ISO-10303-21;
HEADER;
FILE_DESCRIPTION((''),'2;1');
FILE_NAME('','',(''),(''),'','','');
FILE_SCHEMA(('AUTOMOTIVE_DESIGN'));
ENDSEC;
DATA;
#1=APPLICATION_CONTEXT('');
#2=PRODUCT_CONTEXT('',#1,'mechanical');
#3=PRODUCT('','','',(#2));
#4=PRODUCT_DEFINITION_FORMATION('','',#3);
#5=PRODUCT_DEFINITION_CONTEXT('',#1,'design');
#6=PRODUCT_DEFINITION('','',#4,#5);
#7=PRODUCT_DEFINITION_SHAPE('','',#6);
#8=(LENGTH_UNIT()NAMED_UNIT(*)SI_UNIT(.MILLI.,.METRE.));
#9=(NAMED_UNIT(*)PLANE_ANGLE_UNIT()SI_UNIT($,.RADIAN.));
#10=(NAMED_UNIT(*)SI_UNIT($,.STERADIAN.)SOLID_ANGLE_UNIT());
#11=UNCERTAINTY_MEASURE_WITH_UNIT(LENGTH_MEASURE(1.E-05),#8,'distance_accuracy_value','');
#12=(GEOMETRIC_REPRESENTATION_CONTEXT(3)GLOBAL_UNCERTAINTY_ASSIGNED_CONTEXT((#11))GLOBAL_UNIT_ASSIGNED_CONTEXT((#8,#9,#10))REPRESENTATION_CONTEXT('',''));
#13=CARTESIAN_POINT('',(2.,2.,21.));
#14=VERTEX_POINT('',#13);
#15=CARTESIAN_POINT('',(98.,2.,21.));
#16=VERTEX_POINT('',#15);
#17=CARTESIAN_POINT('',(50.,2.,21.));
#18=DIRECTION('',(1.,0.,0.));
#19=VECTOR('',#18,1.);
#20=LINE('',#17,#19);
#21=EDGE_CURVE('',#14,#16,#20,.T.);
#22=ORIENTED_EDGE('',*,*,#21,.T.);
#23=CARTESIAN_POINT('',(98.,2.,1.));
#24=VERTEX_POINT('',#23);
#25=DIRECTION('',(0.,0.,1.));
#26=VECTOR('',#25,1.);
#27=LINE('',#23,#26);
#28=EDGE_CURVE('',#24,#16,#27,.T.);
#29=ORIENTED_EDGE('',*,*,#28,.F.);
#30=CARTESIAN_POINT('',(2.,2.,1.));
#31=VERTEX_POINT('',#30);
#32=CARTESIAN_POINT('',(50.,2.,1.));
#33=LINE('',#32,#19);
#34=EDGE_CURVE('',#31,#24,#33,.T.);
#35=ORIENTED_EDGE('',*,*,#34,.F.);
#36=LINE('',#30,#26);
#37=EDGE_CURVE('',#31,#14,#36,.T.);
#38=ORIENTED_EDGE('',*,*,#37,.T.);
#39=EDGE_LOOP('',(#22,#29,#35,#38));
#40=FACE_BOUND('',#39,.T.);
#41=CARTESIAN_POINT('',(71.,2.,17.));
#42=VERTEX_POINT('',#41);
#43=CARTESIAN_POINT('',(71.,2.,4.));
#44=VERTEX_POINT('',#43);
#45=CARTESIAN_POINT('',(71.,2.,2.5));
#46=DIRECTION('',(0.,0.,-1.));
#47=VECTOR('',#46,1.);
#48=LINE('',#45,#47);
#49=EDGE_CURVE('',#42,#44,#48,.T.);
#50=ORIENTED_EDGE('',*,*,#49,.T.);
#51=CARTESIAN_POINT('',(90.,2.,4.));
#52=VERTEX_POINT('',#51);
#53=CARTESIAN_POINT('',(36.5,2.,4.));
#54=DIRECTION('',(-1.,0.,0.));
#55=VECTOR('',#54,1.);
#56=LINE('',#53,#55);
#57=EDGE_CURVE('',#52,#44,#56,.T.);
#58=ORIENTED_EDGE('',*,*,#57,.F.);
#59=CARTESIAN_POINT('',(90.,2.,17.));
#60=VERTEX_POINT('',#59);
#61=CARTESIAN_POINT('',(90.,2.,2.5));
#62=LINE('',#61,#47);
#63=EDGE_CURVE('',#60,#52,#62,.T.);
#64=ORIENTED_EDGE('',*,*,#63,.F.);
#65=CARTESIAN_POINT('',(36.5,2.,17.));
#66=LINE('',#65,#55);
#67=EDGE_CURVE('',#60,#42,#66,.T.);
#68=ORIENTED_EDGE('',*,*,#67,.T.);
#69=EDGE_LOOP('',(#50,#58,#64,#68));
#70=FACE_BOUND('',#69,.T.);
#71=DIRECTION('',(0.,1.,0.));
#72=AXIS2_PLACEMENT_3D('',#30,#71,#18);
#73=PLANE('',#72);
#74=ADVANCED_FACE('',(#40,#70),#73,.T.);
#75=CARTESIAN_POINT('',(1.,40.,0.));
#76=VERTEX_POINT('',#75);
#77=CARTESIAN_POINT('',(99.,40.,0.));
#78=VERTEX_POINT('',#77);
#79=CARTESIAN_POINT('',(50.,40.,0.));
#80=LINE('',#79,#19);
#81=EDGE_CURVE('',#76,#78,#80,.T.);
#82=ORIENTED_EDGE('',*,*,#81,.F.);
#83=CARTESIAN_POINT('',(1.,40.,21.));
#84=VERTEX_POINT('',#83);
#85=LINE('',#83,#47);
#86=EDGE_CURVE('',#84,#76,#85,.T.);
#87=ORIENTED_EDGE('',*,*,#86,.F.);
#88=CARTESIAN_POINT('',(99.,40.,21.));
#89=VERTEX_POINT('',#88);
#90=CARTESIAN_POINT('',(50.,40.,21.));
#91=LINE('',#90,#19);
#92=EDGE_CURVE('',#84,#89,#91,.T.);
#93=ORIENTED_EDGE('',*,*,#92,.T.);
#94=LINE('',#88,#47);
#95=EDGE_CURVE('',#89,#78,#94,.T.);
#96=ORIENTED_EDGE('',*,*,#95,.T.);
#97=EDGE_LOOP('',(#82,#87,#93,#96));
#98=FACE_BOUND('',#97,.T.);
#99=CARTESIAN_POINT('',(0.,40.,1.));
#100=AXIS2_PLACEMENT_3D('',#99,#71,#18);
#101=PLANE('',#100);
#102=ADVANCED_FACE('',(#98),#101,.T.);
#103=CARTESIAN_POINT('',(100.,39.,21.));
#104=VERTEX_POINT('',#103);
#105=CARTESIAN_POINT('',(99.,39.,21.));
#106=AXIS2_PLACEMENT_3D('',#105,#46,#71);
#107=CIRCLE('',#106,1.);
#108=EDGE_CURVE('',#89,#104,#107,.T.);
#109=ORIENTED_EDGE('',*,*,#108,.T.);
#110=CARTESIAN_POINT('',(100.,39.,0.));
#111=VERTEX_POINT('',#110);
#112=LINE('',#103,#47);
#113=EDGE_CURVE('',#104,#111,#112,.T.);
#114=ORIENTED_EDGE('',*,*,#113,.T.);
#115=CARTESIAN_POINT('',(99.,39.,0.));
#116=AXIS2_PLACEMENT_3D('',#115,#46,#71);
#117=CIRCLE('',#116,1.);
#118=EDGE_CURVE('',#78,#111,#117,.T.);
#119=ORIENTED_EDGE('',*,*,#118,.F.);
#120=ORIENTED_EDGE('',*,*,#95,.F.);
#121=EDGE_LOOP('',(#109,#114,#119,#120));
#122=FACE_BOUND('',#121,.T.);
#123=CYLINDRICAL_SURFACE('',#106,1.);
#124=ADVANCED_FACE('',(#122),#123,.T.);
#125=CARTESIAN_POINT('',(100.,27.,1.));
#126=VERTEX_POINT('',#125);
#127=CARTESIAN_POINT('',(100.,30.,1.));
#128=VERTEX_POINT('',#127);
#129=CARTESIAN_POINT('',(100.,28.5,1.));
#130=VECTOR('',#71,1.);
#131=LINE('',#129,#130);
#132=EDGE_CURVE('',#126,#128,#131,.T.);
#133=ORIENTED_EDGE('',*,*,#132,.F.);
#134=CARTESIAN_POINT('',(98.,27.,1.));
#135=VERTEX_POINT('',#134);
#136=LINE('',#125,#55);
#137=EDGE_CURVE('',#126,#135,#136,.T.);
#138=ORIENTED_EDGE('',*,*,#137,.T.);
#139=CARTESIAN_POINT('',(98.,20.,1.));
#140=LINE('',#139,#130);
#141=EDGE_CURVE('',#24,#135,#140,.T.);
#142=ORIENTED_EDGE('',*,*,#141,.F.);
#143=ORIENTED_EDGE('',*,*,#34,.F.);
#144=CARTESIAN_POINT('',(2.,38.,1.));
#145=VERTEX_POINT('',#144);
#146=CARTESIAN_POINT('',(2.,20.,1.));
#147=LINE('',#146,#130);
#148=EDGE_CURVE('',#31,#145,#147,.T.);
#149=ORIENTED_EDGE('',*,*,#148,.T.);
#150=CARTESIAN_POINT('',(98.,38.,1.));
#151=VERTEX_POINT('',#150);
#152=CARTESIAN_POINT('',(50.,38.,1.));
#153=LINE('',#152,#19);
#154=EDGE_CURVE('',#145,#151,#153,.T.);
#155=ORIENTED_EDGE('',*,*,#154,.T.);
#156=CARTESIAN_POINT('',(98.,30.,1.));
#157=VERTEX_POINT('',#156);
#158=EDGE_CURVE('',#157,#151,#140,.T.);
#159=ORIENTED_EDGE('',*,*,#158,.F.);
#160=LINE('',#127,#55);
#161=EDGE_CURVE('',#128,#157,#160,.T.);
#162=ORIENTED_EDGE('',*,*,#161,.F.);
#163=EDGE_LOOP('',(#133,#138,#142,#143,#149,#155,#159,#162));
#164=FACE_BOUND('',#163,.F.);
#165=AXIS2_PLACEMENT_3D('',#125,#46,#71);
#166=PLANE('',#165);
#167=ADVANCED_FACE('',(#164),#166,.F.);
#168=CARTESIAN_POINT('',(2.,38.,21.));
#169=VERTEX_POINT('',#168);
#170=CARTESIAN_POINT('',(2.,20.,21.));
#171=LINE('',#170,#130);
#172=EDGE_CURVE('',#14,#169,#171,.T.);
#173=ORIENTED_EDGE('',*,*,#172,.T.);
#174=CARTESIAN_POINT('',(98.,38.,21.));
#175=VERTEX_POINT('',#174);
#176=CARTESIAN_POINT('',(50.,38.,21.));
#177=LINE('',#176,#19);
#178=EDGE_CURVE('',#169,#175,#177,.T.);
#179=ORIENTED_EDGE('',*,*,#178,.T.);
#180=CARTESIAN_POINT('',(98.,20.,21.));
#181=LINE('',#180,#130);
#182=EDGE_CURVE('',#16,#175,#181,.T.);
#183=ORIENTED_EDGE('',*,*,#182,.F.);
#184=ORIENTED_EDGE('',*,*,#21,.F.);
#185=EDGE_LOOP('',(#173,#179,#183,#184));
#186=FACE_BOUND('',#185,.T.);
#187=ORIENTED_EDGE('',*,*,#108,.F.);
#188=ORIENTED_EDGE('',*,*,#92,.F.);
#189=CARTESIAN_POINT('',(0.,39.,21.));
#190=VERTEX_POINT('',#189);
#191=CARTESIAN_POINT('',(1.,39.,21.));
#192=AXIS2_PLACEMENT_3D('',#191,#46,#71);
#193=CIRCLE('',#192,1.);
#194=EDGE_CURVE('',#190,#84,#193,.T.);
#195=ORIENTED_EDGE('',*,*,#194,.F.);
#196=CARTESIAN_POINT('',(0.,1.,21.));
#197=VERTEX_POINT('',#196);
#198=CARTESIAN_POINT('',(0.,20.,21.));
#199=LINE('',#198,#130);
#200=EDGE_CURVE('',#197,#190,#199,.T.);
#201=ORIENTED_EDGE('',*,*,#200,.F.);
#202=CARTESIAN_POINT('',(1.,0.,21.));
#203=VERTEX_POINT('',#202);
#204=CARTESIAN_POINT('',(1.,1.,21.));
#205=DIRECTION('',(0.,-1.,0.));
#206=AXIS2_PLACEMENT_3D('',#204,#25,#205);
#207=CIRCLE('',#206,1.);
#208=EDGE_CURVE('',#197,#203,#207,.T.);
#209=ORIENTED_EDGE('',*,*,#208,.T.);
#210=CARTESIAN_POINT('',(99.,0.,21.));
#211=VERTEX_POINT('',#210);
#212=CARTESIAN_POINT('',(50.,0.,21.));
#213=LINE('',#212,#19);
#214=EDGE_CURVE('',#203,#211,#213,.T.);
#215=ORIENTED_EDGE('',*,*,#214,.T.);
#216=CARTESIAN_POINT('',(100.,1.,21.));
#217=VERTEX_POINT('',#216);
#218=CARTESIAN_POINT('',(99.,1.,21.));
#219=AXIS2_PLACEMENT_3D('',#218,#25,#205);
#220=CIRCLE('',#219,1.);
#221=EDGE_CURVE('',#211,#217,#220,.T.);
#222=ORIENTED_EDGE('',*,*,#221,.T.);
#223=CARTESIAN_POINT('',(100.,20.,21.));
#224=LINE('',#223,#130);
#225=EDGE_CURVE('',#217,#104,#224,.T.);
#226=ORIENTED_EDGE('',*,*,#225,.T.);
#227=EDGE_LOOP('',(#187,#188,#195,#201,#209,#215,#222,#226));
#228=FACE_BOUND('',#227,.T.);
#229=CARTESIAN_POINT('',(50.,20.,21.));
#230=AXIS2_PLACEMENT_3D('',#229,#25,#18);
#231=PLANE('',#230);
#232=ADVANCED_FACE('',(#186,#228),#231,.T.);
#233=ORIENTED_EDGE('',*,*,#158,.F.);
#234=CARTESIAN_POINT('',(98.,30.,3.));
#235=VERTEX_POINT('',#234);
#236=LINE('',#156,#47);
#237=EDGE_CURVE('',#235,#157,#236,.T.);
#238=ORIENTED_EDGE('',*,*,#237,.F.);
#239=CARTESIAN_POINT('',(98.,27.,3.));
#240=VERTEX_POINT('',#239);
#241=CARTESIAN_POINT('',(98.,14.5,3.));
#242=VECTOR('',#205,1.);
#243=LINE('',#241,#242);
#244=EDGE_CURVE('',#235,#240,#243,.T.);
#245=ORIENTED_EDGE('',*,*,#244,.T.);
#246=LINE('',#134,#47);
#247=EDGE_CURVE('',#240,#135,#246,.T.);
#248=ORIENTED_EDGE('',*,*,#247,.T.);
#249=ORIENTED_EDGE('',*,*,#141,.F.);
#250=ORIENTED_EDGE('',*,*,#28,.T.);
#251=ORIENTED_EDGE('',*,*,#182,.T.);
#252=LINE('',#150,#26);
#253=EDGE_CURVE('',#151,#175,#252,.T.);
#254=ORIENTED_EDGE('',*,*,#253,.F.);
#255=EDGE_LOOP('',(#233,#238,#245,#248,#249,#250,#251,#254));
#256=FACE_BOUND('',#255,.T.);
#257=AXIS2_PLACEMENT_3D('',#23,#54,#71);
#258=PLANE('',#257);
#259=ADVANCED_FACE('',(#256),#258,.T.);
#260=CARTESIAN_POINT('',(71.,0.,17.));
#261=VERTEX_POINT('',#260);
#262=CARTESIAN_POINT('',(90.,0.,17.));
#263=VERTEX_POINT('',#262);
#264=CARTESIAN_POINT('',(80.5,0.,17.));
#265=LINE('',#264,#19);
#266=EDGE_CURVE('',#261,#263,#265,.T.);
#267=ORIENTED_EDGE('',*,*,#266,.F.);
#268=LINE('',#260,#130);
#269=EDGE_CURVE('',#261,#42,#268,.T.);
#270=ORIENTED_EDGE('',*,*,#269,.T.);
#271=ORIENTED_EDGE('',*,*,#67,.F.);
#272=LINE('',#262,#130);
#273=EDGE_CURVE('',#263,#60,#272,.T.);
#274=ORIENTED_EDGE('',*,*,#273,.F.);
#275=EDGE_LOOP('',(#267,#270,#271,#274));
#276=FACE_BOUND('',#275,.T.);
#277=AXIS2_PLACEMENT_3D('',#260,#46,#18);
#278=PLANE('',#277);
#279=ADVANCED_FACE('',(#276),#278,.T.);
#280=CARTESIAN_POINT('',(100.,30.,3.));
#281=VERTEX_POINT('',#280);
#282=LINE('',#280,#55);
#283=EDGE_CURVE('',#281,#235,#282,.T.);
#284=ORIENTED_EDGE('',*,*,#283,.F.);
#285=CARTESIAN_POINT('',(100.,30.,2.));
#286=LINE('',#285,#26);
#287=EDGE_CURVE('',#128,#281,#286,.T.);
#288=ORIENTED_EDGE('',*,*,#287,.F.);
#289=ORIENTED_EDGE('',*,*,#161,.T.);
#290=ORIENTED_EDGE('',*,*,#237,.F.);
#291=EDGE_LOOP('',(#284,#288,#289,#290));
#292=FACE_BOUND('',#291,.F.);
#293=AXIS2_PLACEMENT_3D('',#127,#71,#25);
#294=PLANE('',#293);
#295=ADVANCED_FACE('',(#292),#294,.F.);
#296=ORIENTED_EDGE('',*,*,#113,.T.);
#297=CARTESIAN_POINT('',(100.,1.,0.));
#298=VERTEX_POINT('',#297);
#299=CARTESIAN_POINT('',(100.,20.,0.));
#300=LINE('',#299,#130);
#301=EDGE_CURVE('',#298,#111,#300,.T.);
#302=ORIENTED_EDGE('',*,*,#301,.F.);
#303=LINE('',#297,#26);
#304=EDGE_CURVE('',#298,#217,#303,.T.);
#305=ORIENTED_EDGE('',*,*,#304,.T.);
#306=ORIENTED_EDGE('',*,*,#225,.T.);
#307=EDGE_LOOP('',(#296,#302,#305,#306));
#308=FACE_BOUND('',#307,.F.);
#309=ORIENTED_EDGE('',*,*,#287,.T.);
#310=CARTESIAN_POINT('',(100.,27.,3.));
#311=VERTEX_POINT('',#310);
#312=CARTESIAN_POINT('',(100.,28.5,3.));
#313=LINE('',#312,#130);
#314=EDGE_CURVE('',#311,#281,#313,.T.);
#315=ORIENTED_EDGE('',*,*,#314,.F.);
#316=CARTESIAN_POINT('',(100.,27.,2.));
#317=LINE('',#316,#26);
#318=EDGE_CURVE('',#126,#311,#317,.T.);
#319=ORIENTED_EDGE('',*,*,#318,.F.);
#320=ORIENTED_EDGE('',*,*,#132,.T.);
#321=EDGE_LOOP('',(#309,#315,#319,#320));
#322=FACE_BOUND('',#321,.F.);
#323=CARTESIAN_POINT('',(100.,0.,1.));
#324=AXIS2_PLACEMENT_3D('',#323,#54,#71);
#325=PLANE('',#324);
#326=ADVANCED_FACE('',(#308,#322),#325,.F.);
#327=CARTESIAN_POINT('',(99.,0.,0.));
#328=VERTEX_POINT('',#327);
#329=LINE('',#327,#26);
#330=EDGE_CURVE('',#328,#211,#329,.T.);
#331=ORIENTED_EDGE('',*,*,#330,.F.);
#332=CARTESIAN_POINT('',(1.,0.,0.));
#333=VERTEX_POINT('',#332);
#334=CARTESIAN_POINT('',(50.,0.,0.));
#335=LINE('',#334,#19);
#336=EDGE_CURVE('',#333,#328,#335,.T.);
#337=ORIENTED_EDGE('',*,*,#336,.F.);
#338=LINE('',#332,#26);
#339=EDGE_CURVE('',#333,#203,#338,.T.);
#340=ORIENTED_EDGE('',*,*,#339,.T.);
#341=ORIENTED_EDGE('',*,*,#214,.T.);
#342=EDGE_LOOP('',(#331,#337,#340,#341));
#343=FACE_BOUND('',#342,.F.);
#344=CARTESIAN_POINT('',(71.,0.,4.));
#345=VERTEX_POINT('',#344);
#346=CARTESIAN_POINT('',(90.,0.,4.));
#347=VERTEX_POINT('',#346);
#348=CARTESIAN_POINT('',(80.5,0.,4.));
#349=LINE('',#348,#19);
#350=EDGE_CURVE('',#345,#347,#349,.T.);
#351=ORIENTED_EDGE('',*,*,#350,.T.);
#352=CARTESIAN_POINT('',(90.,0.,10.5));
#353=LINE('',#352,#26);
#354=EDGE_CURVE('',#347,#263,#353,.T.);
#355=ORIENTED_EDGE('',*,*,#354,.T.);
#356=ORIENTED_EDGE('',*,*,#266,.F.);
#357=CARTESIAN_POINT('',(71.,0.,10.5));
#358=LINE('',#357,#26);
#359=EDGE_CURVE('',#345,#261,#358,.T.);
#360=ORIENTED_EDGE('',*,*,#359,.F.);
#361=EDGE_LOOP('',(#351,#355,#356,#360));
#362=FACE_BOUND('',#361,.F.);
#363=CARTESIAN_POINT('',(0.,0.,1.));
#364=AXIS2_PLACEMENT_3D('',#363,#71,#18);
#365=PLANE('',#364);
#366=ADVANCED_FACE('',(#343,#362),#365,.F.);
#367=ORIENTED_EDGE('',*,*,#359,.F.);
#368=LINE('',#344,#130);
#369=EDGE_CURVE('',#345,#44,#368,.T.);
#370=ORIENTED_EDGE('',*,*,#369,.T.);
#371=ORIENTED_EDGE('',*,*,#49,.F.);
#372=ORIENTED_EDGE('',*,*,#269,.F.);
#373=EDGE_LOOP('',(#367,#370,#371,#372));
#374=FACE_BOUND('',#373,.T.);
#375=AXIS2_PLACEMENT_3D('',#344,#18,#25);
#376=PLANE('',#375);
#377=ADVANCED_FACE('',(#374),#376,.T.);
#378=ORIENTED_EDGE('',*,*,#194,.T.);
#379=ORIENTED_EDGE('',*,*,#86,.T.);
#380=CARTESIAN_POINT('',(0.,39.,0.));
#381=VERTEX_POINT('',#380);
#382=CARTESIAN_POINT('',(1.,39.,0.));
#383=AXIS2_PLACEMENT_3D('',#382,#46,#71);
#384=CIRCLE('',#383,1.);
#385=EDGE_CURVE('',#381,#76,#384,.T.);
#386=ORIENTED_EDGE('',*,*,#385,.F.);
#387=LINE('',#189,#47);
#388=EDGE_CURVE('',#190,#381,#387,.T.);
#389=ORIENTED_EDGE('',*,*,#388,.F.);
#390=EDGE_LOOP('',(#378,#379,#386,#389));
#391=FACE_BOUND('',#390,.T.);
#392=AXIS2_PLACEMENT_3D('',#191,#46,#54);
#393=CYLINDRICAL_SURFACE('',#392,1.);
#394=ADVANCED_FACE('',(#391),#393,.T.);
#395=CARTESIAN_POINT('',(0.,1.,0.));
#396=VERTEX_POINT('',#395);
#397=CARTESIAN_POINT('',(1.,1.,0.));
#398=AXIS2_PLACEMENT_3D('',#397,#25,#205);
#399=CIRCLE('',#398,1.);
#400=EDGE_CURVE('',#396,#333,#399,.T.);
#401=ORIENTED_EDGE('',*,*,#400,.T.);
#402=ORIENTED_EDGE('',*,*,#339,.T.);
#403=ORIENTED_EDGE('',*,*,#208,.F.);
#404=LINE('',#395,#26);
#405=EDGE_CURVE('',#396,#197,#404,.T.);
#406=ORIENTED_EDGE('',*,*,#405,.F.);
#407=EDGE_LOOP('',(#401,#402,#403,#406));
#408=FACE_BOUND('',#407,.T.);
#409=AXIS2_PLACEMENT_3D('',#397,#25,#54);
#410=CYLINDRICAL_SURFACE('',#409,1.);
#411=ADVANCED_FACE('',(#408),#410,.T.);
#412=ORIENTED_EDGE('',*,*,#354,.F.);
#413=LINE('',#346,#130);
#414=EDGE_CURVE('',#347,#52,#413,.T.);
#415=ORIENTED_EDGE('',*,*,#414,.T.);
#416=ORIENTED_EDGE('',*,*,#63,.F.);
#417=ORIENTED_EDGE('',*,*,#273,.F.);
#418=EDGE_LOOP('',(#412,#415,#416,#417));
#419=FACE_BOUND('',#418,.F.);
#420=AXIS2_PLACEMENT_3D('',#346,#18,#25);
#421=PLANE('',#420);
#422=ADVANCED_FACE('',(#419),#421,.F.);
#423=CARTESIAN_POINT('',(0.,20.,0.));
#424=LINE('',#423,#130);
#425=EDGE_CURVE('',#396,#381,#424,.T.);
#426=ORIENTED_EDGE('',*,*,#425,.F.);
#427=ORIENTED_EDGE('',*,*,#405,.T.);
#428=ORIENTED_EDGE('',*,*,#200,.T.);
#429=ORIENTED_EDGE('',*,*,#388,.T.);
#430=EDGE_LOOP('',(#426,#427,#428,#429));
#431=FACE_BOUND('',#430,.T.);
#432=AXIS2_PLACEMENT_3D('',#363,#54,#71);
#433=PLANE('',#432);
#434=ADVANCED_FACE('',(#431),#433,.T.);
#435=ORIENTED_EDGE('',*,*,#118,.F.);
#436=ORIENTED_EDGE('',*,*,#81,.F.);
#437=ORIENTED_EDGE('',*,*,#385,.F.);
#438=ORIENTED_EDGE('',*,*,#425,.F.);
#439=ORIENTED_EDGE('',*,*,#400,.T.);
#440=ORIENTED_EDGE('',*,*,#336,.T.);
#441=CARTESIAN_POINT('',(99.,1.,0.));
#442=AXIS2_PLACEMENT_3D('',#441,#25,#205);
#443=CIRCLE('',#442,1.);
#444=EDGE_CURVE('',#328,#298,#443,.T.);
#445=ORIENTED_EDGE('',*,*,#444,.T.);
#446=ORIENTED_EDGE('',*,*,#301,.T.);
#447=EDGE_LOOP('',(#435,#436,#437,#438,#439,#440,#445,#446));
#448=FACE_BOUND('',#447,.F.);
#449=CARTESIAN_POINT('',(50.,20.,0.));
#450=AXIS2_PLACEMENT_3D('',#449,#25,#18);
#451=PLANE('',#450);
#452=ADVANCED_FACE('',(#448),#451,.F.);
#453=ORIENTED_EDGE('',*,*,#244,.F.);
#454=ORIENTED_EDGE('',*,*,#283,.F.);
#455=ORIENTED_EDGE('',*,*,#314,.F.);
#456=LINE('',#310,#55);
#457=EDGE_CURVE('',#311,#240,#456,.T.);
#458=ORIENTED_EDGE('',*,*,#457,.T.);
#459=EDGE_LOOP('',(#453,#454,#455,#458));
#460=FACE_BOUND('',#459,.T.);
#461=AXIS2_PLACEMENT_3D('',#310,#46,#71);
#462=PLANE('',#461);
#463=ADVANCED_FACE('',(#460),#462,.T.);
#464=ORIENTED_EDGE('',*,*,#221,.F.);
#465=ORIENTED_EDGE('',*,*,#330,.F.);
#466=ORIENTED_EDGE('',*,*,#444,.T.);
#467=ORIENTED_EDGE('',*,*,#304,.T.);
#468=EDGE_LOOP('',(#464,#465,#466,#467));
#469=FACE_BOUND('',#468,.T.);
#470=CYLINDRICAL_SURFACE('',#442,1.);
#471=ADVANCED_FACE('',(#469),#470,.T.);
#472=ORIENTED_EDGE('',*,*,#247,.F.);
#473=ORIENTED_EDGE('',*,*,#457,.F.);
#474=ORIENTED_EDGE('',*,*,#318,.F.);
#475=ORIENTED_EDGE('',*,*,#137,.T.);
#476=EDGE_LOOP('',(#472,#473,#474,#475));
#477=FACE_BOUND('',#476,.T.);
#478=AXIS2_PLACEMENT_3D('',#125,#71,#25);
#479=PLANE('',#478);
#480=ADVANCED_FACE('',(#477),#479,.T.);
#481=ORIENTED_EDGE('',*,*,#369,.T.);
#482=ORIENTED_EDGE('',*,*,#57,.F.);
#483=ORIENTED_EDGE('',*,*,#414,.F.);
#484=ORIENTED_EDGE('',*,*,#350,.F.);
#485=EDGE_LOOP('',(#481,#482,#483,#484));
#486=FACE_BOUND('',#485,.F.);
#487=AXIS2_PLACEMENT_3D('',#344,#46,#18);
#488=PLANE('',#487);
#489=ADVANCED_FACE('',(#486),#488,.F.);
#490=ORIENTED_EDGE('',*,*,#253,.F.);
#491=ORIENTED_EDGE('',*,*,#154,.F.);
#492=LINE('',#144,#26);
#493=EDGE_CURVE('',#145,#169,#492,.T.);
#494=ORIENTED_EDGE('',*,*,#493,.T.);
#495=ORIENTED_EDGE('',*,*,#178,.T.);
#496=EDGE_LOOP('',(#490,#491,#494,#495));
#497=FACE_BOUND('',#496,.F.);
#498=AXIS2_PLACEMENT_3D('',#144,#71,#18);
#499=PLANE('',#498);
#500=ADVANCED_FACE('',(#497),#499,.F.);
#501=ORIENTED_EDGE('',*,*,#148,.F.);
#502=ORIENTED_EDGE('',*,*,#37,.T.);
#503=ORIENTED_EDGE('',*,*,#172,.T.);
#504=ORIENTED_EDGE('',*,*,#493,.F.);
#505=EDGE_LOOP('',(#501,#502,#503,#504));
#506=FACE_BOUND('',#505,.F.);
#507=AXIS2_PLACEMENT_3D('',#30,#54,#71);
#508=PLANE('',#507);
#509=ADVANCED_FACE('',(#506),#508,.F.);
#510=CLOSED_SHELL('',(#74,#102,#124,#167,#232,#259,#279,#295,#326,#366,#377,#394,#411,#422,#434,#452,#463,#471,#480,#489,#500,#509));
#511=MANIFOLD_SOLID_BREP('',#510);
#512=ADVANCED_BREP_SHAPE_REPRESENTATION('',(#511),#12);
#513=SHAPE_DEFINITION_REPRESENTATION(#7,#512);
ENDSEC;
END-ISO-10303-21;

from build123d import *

# Parameters (mm, degrees)
F0_W     = 100
F0_H     = 40
F1_DEPTH = 1
F2_W     = 100
F2_H     = 40
F2_W_2   = 96
F2_H_2   = 36
F3_DEPTH = 20
F4_W     = 3
F4_H     = 2
F5_DEPTH = 25
F6_W     = 19
F6_H     = 13
F7_DEPTH = 25
F8_R     = 1


with BuildPart() as f1:
    # F0 (on Top) → F1 (new body)
    with BuildSketch(Plane.XY):
        with Locations((50, 20)):
            Rectangle(F0_W, F0_H)
    extrude(amount=F1_DEPTH)

    # F2 (on face) → F3 (join)
    with BuildSketch(Plane.XY.offset(1)):
        with Locations((50, 20)):
            Rectangle(F2_W, F2_H)
        with Locations((50, 20)):
            Rectangle(F2_W_2, F2_H_2, mode=Mode.SUBTRACT)
    extrude(amount=F3_DEPTH)

    # F4 (on face) → F5 (cut)
    with BuildSketch(Plane.YZ.offset(100)):
        with Locations((28.5, 2)):
            Rectangle(F4_W, F4_H)
    extrude(amount=-F5_DEPTH, mode=Mode.SUBTRACT)

    # F6 (on face) → F7 (cut)
    with BuildSketch(Plane.XZ):
        with Locations((80.5, 10.5)):
            Rectangle(F6_W, F6_H)
    extrude(amount=-F7_DEPTH, mode=Mode.SUBTRACT)

    # F8
    f8_edges = [f1.edges().sort_by_distance(p)[0] for p in [
        (0, 0, 10.5),
        (100, 0, 10.5),
        (100, 40, 10.5),
        (0, 40, 10.5),
    ]]
    fillet(f8_edges, radius=F8_R)


solid = f1.part
